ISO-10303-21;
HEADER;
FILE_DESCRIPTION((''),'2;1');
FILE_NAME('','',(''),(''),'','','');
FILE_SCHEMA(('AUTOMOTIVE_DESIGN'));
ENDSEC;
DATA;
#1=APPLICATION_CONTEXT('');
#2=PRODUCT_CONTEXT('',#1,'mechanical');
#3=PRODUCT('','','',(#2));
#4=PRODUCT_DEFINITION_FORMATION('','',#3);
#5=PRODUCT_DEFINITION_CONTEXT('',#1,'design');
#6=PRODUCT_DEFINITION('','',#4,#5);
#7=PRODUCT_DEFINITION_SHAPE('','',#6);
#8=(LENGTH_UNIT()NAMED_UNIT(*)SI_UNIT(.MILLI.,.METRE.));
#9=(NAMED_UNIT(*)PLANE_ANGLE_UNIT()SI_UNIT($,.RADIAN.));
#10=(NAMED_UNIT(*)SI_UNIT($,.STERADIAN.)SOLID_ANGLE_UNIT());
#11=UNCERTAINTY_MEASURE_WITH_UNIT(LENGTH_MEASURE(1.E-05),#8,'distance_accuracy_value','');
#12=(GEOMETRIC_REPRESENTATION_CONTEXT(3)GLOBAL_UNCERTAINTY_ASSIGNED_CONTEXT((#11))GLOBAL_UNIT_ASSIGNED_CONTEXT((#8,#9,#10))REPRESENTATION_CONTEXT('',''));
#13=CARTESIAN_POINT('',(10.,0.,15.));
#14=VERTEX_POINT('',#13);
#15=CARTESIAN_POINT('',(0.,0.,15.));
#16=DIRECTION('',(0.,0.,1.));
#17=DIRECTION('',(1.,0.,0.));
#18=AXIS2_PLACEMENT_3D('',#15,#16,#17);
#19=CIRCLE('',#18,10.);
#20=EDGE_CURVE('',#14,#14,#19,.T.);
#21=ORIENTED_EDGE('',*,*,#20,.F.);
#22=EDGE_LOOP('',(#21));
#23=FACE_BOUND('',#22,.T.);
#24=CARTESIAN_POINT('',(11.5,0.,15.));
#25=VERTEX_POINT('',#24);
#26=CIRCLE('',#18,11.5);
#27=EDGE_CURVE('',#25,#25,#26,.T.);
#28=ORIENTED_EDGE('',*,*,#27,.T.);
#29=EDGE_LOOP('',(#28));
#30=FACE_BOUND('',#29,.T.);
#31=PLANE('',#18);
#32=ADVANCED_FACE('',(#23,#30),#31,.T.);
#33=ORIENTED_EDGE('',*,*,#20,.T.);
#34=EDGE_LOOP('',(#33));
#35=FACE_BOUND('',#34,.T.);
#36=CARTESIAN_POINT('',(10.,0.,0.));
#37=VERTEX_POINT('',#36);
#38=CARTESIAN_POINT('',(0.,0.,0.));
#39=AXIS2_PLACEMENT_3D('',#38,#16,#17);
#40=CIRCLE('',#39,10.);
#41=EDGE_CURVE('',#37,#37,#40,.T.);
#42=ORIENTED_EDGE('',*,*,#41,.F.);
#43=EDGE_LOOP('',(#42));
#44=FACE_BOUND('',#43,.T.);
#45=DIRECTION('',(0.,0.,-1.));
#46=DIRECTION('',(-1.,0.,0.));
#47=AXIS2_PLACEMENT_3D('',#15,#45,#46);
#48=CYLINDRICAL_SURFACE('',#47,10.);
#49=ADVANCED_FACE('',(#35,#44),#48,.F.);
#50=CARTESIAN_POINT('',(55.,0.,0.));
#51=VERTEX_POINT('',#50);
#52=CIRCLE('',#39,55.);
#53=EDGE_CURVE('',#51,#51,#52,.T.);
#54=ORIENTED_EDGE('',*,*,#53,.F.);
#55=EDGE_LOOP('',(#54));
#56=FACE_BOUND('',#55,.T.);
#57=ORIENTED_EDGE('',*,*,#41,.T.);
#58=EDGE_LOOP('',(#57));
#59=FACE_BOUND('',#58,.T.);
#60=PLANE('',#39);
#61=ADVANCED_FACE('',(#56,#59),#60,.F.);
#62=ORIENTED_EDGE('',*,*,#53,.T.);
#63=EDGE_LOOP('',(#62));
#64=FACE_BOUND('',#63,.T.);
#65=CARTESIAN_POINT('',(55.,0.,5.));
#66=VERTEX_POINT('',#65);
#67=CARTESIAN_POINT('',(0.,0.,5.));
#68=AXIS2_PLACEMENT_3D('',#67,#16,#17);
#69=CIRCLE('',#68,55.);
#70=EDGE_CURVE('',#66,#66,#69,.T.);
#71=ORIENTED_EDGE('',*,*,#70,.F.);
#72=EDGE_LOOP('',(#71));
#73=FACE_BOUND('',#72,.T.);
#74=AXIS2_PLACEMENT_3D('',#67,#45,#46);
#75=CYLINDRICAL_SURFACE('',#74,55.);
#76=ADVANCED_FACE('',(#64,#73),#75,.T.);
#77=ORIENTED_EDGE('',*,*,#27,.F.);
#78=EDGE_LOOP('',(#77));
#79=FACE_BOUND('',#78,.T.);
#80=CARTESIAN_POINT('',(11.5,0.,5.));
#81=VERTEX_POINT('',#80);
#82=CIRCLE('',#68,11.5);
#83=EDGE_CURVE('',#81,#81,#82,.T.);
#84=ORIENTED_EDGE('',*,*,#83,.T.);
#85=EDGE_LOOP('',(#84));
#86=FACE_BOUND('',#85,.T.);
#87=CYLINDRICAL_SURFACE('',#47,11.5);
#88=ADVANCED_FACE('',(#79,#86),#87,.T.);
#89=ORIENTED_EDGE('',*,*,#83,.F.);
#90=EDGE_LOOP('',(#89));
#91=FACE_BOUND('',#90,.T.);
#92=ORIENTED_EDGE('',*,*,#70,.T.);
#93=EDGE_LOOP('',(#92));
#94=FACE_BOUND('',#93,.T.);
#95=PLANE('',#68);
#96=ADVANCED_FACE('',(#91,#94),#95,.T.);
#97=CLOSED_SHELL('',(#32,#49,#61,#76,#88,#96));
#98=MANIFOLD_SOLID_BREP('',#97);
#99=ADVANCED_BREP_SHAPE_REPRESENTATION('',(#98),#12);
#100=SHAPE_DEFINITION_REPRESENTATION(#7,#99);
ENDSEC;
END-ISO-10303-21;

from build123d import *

# Parameters (mm, degrees)
SKETCH1_R           = 55
BOSS_EXTRUDE1_DEPTH = 5
SKETCH2_R           = 11.5
SKETCH2_R_2         = 10
BOSS_EXTRUDE2_DEPTH = 10
SKETCH3_R           = 10
CUT_EXTRUDE1_DEPTH  = 79.421935707


with BuildPart() as part:
    # Sketch1 → Boss-Extrude1 (new body)
    with BuildSketch(Plane.XY):
        Circle(SKETCH1_R)
    extrude(amount=BOSS_EXTRUDE1_DEPTH)

    # Sketch2 → Boss-Extrude2 (add)
    with BuildSketch(Plane.XY.offset(5)):
        Circle(SKETCH2_R)
        Circle(SKETCH2_R_2, mode=Mode.SUBTRACT)
    extrude(amount=BOSS_EXTRUDE2_DEPTH)

    # Sketch3 → Cut-Extrude1 (cut, through all)
    with BuildSketch(Plane.XY.offset(5)):
        Circle(SKETCH3_R)
    extrude(amount=-CUT_EXTRUDE1_DEPTH, mode=Mode.SUBTRACT)


solid = part.part
